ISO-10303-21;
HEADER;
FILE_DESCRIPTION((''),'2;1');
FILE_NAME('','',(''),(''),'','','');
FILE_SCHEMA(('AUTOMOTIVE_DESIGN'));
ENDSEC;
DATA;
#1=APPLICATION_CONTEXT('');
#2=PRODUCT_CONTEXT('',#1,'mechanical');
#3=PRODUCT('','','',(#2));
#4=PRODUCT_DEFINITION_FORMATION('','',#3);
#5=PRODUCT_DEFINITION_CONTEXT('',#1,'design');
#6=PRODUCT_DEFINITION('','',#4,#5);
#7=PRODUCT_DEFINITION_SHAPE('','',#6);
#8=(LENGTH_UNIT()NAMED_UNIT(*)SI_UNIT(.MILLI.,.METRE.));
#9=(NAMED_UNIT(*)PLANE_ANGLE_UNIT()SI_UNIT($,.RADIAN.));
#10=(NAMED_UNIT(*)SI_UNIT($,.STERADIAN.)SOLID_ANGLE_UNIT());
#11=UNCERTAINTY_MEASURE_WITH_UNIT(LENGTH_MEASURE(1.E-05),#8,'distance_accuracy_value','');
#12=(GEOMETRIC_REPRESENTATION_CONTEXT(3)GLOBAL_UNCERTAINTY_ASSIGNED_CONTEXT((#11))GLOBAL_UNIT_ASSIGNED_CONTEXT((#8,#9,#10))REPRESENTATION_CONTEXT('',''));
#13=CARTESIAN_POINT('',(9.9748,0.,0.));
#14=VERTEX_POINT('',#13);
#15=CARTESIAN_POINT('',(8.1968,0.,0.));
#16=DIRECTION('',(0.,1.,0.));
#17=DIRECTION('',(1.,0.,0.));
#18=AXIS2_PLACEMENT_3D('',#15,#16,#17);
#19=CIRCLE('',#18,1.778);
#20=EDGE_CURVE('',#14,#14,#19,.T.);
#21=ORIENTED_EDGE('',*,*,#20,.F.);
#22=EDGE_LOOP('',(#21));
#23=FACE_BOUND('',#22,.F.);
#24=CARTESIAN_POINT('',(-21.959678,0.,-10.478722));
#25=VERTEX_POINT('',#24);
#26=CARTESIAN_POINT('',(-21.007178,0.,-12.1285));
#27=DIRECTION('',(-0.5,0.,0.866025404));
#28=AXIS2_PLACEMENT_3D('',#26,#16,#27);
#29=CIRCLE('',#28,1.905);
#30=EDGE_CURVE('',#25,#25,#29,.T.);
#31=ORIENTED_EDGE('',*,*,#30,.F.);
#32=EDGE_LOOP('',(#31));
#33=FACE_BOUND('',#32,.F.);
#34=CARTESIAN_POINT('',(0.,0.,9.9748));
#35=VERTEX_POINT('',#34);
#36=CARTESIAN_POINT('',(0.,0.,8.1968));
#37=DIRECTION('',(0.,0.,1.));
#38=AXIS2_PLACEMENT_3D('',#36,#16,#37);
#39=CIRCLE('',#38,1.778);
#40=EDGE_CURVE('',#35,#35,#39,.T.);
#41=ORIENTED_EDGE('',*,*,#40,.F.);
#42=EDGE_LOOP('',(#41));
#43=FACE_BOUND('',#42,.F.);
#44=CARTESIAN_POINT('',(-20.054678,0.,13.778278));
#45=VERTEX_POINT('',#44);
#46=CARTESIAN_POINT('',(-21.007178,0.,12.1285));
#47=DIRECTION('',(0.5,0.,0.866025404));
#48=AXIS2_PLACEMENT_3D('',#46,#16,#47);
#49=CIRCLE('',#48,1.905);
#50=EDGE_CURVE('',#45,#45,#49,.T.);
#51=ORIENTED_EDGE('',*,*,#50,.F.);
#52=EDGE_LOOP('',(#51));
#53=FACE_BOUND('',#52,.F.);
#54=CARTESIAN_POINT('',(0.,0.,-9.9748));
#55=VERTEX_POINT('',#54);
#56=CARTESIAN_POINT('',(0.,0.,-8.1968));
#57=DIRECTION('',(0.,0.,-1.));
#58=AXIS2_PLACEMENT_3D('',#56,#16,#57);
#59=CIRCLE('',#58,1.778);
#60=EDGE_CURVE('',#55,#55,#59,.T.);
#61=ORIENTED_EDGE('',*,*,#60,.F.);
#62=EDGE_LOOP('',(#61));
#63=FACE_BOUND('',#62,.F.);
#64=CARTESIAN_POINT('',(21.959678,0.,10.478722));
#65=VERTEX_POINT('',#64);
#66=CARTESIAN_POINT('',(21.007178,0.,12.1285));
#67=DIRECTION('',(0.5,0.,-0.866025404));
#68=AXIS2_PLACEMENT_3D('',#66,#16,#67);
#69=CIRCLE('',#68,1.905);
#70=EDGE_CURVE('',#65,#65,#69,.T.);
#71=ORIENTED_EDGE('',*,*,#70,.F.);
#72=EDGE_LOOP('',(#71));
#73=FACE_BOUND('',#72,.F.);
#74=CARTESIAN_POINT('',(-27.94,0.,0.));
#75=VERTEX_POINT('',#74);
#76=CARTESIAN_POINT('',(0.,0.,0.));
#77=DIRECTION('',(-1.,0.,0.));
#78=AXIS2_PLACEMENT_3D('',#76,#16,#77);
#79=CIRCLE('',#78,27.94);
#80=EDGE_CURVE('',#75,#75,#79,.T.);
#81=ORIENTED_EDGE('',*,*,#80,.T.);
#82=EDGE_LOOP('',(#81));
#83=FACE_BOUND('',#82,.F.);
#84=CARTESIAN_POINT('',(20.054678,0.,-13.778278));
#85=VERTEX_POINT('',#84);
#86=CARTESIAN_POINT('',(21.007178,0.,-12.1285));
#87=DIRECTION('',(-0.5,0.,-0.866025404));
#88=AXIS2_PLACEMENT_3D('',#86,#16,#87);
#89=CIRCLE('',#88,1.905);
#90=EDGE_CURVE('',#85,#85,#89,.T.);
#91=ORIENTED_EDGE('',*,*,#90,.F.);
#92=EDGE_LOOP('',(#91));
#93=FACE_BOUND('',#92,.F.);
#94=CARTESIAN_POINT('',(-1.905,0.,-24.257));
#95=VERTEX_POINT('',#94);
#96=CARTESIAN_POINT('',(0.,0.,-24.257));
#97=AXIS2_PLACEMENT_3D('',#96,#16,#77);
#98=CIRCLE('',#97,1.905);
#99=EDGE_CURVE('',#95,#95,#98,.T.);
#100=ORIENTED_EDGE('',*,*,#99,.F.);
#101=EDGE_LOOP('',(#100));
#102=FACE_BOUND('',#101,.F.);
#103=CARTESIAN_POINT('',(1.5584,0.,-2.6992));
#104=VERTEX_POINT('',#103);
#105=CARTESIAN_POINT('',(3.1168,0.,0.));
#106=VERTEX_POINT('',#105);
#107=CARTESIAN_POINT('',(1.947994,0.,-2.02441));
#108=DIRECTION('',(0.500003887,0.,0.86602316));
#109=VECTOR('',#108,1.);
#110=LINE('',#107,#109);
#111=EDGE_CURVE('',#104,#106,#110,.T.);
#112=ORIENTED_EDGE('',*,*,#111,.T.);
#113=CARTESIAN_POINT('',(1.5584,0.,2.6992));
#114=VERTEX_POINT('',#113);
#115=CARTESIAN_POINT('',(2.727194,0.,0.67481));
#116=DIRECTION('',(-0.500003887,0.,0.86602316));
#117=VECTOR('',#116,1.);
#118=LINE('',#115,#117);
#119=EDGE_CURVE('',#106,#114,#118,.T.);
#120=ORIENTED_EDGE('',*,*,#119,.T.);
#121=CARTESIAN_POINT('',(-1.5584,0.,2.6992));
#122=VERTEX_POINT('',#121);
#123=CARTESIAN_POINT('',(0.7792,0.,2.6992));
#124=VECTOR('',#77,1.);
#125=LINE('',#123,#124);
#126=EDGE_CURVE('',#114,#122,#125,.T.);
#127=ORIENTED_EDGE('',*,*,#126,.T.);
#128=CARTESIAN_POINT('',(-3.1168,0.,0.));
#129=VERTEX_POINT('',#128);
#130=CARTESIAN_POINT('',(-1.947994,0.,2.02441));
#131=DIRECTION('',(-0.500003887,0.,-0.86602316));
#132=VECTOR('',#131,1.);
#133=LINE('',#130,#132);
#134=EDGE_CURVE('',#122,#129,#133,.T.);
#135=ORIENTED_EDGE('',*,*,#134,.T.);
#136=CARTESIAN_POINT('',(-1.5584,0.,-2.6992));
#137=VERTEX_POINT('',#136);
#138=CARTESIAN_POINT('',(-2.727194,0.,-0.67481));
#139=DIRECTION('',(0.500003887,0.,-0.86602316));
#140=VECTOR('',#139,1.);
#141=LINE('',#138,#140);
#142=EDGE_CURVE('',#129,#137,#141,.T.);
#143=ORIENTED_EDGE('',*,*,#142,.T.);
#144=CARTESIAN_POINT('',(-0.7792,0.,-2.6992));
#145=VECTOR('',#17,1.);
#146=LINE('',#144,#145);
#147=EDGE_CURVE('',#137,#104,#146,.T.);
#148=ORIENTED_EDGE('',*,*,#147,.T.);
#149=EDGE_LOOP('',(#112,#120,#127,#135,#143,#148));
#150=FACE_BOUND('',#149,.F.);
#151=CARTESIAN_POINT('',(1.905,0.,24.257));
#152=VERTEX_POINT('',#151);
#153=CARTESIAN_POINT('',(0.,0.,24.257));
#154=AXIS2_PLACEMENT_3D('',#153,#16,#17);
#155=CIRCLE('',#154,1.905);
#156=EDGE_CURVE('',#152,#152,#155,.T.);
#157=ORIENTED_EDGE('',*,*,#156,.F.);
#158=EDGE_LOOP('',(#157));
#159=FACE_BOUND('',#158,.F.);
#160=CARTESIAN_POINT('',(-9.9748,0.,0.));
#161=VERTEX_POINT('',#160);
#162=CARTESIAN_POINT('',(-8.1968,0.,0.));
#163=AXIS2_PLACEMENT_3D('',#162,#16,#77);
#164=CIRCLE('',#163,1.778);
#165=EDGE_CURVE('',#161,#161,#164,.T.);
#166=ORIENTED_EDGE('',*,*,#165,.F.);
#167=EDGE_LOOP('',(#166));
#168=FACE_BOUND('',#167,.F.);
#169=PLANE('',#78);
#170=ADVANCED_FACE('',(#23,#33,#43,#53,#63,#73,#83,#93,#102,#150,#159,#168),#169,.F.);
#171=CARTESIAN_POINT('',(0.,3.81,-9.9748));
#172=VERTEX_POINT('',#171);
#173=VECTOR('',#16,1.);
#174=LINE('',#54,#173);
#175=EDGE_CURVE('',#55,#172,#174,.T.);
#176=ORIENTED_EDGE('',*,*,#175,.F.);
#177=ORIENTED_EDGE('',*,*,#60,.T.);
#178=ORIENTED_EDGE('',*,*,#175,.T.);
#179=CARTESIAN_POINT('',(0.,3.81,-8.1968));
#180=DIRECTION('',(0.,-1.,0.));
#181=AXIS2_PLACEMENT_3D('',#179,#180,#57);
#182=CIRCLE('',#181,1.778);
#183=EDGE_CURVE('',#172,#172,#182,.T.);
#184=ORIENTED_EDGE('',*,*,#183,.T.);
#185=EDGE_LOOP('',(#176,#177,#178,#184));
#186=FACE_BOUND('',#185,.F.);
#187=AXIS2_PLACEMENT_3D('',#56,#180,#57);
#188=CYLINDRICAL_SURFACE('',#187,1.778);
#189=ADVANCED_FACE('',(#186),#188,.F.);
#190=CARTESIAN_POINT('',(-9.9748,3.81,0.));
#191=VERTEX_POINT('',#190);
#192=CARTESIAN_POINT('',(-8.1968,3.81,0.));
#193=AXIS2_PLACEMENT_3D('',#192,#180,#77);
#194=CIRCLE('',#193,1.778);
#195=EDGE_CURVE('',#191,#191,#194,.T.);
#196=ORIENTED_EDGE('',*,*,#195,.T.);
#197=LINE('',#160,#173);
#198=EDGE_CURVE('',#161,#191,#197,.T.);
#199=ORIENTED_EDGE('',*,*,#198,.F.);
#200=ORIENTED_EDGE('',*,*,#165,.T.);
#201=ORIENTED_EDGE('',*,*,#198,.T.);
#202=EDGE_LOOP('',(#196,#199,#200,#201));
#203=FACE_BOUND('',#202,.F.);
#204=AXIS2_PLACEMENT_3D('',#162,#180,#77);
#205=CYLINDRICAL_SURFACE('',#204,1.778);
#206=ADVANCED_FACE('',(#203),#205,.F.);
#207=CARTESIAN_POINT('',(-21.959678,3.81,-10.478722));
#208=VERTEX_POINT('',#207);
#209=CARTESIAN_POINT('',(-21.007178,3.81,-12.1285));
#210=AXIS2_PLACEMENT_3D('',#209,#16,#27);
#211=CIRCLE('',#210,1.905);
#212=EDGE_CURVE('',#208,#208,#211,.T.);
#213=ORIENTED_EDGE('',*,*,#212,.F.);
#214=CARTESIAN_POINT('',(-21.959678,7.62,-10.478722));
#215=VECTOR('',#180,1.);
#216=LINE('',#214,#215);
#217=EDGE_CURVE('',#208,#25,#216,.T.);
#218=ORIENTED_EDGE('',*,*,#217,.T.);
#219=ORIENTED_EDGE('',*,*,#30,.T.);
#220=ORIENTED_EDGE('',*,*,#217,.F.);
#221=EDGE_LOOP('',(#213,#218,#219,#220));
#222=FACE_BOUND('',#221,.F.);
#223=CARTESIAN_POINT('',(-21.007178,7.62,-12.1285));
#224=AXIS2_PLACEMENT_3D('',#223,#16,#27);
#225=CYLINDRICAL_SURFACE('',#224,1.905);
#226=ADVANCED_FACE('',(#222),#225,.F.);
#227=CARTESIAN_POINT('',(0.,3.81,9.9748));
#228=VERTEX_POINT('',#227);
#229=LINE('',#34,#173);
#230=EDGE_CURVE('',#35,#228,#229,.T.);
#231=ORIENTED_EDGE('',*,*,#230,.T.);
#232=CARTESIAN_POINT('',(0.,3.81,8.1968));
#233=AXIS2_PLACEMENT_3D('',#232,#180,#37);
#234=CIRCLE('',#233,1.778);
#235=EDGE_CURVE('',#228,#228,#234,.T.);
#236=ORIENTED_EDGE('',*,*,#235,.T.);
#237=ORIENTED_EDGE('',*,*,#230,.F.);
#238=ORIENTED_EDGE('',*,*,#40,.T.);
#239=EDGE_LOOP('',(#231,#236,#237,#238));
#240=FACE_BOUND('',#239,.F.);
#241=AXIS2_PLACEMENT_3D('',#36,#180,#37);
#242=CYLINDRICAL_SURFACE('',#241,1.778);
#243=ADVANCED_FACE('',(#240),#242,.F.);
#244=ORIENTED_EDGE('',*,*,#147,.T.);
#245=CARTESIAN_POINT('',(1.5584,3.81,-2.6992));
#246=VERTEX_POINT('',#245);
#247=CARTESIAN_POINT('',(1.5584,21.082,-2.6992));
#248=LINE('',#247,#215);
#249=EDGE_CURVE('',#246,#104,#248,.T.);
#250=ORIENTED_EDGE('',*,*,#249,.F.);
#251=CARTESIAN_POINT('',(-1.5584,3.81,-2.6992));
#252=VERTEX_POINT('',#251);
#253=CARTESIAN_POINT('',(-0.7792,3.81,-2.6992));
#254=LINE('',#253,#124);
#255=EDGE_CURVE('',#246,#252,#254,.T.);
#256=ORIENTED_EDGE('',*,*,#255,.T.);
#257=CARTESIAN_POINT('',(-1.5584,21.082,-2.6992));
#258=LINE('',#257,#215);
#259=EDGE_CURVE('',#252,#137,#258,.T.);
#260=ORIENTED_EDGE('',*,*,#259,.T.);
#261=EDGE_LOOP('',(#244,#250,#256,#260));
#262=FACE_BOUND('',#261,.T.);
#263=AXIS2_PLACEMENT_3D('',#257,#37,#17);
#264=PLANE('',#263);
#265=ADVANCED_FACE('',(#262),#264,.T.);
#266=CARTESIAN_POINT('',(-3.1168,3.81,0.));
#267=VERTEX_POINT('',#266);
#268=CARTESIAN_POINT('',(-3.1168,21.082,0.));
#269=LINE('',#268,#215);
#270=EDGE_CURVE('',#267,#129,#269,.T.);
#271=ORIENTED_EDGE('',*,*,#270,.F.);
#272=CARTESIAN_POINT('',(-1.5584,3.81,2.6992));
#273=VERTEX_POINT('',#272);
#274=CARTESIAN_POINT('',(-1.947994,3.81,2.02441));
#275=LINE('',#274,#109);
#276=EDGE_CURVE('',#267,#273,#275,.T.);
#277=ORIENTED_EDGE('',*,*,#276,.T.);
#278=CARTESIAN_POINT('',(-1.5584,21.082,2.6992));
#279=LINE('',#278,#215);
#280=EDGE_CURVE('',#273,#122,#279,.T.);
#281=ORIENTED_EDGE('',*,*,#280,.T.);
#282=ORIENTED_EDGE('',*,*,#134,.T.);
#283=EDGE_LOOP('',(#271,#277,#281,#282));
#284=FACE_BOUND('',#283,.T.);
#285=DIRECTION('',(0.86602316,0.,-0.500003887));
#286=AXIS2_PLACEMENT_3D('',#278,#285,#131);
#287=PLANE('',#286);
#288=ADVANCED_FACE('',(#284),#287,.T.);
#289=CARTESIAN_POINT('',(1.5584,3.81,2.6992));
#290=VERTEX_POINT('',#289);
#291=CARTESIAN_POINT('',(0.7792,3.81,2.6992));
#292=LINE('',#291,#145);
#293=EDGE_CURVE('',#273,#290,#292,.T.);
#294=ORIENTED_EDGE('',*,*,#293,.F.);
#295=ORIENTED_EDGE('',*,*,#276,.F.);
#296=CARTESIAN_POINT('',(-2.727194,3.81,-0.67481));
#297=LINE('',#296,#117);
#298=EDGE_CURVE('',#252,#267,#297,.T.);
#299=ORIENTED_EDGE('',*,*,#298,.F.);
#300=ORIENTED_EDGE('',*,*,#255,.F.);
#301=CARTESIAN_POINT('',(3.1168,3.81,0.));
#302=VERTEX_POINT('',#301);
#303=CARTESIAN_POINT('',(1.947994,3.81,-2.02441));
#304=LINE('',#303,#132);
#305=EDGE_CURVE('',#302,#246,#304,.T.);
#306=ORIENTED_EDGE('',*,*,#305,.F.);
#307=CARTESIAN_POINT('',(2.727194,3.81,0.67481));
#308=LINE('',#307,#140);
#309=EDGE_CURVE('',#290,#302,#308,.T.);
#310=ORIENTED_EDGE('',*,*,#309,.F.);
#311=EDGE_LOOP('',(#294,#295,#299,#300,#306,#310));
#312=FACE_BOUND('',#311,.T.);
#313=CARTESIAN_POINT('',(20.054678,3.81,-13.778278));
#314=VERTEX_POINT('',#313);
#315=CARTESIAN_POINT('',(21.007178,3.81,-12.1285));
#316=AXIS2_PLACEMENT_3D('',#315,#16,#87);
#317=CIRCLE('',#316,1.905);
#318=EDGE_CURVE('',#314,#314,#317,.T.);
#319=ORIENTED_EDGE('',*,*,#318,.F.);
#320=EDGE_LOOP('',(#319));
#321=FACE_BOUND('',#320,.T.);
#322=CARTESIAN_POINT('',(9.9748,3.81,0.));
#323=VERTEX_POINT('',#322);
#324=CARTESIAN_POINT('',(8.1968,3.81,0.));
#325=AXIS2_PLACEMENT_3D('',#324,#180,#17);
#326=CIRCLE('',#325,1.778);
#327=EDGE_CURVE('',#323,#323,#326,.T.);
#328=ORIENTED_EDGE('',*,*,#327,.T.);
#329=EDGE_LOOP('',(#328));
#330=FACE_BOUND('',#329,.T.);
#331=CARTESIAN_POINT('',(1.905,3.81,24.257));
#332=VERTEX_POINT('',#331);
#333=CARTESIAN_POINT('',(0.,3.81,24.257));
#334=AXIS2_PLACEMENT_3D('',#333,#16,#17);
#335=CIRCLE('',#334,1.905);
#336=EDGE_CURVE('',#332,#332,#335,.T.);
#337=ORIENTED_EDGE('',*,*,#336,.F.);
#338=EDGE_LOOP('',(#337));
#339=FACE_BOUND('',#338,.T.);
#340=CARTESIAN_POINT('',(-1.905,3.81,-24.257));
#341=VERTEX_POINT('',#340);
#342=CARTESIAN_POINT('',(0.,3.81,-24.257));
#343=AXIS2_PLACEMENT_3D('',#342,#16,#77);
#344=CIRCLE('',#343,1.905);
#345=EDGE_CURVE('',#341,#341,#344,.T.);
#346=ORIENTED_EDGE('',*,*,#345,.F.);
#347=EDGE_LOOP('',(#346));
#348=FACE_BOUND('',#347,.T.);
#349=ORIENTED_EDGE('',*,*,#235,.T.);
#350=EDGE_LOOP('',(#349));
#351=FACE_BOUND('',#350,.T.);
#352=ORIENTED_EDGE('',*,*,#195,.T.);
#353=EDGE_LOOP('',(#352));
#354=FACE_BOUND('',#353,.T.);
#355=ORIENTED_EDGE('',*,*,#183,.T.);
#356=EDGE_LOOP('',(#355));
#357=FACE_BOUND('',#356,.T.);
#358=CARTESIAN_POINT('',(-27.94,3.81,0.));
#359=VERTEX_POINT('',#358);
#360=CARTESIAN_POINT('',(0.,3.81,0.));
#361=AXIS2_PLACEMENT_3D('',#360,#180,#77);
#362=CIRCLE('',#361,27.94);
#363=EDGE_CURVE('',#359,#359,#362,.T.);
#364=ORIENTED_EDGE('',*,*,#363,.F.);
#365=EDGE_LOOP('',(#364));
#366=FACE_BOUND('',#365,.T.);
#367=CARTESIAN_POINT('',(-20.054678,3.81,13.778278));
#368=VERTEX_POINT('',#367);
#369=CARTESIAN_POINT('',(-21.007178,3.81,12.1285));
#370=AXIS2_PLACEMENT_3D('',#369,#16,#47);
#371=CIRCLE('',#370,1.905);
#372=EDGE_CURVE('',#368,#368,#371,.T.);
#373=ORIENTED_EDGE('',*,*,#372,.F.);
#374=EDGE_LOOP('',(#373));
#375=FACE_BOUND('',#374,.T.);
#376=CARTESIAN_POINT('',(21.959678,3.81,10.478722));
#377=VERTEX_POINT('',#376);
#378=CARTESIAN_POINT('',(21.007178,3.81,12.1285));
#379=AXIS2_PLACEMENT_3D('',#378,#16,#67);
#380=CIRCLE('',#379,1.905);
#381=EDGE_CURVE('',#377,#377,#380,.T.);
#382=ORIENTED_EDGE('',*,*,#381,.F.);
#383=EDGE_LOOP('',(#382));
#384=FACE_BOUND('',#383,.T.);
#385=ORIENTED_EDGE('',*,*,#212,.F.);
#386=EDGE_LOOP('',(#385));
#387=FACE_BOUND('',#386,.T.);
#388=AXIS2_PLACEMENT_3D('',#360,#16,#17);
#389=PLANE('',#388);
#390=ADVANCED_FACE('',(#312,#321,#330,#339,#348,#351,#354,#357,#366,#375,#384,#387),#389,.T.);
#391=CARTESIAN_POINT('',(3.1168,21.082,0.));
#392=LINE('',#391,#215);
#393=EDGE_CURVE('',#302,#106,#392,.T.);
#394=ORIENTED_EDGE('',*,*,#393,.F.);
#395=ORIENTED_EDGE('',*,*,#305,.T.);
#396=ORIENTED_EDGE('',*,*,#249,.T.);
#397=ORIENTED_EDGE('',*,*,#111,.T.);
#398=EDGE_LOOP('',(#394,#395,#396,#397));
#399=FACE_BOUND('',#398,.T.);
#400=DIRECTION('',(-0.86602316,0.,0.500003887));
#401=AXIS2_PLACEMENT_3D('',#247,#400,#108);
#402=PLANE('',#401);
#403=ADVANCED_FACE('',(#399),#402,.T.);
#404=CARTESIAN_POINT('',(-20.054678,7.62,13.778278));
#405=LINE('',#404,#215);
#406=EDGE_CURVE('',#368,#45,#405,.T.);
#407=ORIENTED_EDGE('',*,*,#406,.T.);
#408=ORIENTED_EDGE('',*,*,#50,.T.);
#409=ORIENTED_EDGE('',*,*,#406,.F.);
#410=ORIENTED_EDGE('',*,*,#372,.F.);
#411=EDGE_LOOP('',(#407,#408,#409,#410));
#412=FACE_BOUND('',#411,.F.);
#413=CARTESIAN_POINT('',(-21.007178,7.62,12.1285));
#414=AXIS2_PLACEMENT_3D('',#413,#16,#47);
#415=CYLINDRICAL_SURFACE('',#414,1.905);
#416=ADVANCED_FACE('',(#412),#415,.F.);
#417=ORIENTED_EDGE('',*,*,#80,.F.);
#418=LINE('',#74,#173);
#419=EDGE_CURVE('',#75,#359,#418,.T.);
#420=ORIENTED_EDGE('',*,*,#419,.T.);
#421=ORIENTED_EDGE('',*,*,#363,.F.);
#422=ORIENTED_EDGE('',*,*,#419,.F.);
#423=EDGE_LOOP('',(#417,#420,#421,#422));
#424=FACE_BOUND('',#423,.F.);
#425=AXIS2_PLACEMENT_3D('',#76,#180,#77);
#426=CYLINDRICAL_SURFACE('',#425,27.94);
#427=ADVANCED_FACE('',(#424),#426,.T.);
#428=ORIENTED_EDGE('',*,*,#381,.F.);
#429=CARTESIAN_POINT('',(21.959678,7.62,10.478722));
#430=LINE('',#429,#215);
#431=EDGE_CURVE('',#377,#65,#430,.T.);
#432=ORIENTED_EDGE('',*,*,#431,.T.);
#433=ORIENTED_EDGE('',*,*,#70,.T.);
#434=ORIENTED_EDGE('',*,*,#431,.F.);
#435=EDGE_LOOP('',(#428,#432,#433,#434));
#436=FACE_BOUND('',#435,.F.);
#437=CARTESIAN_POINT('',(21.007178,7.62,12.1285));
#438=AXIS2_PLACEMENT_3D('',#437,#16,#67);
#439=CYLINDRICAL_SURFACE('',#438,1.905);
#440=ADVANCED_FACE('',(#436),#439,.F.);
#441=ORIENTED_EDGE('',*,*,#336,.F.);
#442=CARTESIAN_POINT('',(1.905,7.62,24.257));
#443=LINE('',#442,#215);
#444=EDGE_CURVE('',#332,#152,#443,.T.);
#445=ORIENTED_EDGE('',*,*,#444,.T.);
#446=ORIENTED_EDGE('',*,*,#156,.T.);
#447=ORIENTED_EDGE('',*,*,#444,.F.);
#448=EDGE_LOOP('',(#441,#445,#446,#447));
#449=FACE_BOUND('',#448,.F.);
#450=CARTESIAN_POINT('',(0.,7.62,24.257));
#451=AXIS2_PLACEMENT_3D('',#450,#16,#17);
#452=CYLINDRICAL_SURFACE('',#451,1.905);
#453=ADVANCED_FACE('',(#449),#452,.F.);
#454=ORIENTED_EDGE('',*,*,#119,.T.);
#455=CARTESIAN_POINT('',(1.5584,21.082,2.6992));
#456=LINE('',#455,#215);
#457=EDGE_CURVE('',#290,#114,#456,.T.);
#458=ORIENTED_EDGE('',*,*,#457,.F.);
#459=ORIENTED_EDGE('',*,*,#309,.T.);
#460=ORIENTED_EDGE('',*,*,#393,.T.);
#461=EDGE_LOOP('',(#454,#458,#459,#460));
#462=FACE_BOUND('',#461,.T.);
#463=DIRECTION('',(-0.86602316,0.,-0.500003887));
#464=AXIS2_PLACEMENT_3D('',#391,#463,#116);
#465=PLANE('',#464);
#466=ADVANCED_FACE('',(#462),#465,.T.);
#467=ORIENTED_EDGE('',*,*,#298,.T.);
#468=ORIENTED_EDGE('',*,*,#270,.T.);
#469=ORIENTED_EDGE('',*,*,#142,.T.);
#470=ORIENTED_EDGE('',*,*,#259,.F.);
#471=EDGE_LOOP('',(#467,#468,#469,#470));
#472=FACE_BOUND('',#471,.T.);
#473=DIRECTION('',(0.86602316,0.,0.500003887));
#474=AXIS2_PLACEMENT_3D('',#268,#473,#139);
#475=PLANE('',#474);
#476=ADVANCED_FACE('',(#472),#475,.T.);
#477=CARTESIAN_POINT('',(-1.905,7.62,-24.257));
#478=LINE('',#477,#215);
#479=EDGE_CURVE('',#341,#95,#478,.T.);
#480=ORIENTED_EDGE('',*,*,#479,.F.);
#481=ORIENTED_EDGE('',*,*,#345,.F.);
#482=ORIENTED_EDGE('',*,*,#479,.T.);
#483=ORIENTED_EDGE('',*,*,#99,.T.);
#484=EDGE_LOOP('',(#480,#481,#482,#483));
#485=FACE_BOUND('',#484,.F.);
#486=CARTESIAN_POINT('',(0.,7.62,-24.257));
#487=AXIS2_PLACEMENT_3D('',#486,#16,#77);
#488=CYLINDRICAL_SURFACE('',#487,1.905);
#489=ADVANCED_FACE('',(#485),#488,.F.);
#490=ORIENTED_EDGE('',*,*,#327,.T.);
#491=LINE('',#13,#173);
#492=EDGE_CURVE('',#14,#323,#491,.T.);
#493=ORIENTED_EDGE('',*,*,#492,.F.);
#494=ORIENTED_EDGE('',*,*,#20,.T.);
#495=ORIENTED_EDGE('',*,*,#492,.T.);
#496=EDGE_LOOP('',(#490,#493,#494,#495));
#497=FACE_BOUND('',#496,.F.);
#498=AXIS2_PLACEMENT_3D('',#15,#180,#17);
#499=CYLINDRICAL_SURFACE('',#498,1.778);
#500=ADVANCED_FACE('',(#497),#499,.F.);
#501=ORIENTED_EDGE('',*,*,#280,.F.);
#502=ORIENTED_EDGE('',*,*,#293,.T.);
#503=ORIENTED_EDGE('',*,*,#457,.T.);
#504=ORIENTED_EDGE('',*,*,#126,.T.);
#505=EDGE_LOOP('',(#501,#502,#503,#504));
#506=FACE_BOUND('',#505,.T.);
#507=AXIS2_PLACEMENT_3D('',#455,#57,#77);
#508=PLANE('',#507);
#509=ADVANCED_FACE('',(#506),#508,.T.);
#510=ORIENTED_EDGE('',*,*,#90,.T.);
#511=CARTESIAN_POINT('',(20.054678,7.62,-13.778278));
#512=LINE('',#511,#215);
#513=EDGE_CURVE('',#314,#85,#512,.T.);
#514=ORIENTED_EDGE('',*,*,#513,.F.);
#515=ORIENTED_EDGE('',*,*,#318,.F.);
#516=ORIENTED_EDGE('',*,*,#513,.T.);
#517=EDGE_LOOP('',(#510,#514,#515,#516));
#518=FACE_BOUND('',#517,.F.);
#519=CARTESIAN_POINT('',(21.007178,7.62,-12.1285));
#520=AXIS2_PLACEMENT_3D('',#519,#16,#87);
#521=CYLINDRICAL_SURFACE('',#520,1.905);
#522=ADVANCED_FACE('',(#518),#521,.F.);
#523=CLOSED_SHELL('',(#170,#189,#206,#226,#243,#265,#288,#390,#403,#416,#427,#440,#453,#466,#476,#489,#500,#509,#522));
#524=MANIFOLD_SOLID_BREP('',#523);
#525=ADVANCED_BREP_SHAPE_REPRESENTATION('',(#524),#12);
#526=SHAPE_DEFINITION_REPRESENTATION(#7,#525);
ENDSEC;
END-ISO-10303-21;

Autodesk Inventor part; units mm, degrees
ref_plane "YZ Plane" through (0, 0, 0) normal (1, 0, 0) x (0, 1, 0)
sketch "Sketch1" plane through (0, 0, 0) normal (0, 1, 0) x (-1, 0, 0)
  circle A0 centre (0, 0) radius 27.94
  dimension "d0" = 55.88
extrude "Extrusion1" add sketch "Sketch1" along normal blind 7.62
ref_plane "Work Plane5" through (0, 21.082, 0) normal (0, 1, 0) x (1, 0, 0)
sketch "Sketch5" plane through (0, 21.082, 0) normal (0, 1, 0) x (1, 0, 0)
  line L0 (0, 0) -> (0, 2.667)
  line L1 (-3.1168, 0) -> (-1.5584, 2.6992)
  line L2 (-1.5584, 2.6992) -> (1.5584, 2.6992)
  line L3 (1.5584, 2.6992) -> (3.1168, 0)
  line L4 (3.1168, 0) -> (1.5584, -2.6992)
  line L5 (1.5584, -2.6992) -> (-1.5584, -2.6992)
  line L6 (-1.5584, -2.6992) -> (-3.1168, 0)
  dimension "d10" = 2.667
extrude "Extrusion4" cut sketch "Sketch5" against normal blind 25.4
sketch "Sketch6" plane through (0, 7.62, 0) normal (0, 1, 0) x (1, 0, 0)
  circle A0 centre (0, 0) radius 27.94 projected
  line L0 (0, -27.94) -> (0, -26.162)
  line L1 (0, -26.162) -> (0, -24.257)
  circle A1 centre (0, -24.257) radius 1.905
  dimension "d13" = 1.778
  dimension "d14" = 1.905
extrude "Extrusion5" cut sketch "Sketch6" against normal blind 25.4 contours A1
ref_plane "Work Plane6" through (0, 21.082, 0) normal (0, 1, 0) x (1, 0, 0)
pattern_circular "Circular Pattern1" count 6 over 360 about axis through (0, 21.082, 0) along (0, 1, 0) of "Extrusion5"
sketch "Sketch8" plane through (0, 0, 0) normal (0, -1, 0) x (1, 0, 0)
  line L0 (3.1168, 0) -> (1.5584, -2.6992) projected
  line L1 (3.1168, 0) -> (6.4188, 0)
  line L2 (6.4188, 0) -> (8.1968, 0)
  circle A0 centre (8.1968, 0) radius 1.778
  point P0 (0, 0)
  dimension "d20" = 3.302
  dimension "d21" = 1.778
extrude "Extrusion6" cut sketch "Sketch8" against normal blind 25.4
pattern_circular "Circular Pattern2" count 4 over 360 about axis through (0, 21.082, 0) along (0, 1, 0) of "Extrusion6"
sketch "Sketch10" plane through (0, 7.62, 0) normal (0, 1, 0) x (1, 0, 0)
  circle A0 centre (0, 0) radius 27.94
extrude "Extrusion8" cut sketch "Sketch10" against normal blind 3.81
properties part number "Wheel Mount"
